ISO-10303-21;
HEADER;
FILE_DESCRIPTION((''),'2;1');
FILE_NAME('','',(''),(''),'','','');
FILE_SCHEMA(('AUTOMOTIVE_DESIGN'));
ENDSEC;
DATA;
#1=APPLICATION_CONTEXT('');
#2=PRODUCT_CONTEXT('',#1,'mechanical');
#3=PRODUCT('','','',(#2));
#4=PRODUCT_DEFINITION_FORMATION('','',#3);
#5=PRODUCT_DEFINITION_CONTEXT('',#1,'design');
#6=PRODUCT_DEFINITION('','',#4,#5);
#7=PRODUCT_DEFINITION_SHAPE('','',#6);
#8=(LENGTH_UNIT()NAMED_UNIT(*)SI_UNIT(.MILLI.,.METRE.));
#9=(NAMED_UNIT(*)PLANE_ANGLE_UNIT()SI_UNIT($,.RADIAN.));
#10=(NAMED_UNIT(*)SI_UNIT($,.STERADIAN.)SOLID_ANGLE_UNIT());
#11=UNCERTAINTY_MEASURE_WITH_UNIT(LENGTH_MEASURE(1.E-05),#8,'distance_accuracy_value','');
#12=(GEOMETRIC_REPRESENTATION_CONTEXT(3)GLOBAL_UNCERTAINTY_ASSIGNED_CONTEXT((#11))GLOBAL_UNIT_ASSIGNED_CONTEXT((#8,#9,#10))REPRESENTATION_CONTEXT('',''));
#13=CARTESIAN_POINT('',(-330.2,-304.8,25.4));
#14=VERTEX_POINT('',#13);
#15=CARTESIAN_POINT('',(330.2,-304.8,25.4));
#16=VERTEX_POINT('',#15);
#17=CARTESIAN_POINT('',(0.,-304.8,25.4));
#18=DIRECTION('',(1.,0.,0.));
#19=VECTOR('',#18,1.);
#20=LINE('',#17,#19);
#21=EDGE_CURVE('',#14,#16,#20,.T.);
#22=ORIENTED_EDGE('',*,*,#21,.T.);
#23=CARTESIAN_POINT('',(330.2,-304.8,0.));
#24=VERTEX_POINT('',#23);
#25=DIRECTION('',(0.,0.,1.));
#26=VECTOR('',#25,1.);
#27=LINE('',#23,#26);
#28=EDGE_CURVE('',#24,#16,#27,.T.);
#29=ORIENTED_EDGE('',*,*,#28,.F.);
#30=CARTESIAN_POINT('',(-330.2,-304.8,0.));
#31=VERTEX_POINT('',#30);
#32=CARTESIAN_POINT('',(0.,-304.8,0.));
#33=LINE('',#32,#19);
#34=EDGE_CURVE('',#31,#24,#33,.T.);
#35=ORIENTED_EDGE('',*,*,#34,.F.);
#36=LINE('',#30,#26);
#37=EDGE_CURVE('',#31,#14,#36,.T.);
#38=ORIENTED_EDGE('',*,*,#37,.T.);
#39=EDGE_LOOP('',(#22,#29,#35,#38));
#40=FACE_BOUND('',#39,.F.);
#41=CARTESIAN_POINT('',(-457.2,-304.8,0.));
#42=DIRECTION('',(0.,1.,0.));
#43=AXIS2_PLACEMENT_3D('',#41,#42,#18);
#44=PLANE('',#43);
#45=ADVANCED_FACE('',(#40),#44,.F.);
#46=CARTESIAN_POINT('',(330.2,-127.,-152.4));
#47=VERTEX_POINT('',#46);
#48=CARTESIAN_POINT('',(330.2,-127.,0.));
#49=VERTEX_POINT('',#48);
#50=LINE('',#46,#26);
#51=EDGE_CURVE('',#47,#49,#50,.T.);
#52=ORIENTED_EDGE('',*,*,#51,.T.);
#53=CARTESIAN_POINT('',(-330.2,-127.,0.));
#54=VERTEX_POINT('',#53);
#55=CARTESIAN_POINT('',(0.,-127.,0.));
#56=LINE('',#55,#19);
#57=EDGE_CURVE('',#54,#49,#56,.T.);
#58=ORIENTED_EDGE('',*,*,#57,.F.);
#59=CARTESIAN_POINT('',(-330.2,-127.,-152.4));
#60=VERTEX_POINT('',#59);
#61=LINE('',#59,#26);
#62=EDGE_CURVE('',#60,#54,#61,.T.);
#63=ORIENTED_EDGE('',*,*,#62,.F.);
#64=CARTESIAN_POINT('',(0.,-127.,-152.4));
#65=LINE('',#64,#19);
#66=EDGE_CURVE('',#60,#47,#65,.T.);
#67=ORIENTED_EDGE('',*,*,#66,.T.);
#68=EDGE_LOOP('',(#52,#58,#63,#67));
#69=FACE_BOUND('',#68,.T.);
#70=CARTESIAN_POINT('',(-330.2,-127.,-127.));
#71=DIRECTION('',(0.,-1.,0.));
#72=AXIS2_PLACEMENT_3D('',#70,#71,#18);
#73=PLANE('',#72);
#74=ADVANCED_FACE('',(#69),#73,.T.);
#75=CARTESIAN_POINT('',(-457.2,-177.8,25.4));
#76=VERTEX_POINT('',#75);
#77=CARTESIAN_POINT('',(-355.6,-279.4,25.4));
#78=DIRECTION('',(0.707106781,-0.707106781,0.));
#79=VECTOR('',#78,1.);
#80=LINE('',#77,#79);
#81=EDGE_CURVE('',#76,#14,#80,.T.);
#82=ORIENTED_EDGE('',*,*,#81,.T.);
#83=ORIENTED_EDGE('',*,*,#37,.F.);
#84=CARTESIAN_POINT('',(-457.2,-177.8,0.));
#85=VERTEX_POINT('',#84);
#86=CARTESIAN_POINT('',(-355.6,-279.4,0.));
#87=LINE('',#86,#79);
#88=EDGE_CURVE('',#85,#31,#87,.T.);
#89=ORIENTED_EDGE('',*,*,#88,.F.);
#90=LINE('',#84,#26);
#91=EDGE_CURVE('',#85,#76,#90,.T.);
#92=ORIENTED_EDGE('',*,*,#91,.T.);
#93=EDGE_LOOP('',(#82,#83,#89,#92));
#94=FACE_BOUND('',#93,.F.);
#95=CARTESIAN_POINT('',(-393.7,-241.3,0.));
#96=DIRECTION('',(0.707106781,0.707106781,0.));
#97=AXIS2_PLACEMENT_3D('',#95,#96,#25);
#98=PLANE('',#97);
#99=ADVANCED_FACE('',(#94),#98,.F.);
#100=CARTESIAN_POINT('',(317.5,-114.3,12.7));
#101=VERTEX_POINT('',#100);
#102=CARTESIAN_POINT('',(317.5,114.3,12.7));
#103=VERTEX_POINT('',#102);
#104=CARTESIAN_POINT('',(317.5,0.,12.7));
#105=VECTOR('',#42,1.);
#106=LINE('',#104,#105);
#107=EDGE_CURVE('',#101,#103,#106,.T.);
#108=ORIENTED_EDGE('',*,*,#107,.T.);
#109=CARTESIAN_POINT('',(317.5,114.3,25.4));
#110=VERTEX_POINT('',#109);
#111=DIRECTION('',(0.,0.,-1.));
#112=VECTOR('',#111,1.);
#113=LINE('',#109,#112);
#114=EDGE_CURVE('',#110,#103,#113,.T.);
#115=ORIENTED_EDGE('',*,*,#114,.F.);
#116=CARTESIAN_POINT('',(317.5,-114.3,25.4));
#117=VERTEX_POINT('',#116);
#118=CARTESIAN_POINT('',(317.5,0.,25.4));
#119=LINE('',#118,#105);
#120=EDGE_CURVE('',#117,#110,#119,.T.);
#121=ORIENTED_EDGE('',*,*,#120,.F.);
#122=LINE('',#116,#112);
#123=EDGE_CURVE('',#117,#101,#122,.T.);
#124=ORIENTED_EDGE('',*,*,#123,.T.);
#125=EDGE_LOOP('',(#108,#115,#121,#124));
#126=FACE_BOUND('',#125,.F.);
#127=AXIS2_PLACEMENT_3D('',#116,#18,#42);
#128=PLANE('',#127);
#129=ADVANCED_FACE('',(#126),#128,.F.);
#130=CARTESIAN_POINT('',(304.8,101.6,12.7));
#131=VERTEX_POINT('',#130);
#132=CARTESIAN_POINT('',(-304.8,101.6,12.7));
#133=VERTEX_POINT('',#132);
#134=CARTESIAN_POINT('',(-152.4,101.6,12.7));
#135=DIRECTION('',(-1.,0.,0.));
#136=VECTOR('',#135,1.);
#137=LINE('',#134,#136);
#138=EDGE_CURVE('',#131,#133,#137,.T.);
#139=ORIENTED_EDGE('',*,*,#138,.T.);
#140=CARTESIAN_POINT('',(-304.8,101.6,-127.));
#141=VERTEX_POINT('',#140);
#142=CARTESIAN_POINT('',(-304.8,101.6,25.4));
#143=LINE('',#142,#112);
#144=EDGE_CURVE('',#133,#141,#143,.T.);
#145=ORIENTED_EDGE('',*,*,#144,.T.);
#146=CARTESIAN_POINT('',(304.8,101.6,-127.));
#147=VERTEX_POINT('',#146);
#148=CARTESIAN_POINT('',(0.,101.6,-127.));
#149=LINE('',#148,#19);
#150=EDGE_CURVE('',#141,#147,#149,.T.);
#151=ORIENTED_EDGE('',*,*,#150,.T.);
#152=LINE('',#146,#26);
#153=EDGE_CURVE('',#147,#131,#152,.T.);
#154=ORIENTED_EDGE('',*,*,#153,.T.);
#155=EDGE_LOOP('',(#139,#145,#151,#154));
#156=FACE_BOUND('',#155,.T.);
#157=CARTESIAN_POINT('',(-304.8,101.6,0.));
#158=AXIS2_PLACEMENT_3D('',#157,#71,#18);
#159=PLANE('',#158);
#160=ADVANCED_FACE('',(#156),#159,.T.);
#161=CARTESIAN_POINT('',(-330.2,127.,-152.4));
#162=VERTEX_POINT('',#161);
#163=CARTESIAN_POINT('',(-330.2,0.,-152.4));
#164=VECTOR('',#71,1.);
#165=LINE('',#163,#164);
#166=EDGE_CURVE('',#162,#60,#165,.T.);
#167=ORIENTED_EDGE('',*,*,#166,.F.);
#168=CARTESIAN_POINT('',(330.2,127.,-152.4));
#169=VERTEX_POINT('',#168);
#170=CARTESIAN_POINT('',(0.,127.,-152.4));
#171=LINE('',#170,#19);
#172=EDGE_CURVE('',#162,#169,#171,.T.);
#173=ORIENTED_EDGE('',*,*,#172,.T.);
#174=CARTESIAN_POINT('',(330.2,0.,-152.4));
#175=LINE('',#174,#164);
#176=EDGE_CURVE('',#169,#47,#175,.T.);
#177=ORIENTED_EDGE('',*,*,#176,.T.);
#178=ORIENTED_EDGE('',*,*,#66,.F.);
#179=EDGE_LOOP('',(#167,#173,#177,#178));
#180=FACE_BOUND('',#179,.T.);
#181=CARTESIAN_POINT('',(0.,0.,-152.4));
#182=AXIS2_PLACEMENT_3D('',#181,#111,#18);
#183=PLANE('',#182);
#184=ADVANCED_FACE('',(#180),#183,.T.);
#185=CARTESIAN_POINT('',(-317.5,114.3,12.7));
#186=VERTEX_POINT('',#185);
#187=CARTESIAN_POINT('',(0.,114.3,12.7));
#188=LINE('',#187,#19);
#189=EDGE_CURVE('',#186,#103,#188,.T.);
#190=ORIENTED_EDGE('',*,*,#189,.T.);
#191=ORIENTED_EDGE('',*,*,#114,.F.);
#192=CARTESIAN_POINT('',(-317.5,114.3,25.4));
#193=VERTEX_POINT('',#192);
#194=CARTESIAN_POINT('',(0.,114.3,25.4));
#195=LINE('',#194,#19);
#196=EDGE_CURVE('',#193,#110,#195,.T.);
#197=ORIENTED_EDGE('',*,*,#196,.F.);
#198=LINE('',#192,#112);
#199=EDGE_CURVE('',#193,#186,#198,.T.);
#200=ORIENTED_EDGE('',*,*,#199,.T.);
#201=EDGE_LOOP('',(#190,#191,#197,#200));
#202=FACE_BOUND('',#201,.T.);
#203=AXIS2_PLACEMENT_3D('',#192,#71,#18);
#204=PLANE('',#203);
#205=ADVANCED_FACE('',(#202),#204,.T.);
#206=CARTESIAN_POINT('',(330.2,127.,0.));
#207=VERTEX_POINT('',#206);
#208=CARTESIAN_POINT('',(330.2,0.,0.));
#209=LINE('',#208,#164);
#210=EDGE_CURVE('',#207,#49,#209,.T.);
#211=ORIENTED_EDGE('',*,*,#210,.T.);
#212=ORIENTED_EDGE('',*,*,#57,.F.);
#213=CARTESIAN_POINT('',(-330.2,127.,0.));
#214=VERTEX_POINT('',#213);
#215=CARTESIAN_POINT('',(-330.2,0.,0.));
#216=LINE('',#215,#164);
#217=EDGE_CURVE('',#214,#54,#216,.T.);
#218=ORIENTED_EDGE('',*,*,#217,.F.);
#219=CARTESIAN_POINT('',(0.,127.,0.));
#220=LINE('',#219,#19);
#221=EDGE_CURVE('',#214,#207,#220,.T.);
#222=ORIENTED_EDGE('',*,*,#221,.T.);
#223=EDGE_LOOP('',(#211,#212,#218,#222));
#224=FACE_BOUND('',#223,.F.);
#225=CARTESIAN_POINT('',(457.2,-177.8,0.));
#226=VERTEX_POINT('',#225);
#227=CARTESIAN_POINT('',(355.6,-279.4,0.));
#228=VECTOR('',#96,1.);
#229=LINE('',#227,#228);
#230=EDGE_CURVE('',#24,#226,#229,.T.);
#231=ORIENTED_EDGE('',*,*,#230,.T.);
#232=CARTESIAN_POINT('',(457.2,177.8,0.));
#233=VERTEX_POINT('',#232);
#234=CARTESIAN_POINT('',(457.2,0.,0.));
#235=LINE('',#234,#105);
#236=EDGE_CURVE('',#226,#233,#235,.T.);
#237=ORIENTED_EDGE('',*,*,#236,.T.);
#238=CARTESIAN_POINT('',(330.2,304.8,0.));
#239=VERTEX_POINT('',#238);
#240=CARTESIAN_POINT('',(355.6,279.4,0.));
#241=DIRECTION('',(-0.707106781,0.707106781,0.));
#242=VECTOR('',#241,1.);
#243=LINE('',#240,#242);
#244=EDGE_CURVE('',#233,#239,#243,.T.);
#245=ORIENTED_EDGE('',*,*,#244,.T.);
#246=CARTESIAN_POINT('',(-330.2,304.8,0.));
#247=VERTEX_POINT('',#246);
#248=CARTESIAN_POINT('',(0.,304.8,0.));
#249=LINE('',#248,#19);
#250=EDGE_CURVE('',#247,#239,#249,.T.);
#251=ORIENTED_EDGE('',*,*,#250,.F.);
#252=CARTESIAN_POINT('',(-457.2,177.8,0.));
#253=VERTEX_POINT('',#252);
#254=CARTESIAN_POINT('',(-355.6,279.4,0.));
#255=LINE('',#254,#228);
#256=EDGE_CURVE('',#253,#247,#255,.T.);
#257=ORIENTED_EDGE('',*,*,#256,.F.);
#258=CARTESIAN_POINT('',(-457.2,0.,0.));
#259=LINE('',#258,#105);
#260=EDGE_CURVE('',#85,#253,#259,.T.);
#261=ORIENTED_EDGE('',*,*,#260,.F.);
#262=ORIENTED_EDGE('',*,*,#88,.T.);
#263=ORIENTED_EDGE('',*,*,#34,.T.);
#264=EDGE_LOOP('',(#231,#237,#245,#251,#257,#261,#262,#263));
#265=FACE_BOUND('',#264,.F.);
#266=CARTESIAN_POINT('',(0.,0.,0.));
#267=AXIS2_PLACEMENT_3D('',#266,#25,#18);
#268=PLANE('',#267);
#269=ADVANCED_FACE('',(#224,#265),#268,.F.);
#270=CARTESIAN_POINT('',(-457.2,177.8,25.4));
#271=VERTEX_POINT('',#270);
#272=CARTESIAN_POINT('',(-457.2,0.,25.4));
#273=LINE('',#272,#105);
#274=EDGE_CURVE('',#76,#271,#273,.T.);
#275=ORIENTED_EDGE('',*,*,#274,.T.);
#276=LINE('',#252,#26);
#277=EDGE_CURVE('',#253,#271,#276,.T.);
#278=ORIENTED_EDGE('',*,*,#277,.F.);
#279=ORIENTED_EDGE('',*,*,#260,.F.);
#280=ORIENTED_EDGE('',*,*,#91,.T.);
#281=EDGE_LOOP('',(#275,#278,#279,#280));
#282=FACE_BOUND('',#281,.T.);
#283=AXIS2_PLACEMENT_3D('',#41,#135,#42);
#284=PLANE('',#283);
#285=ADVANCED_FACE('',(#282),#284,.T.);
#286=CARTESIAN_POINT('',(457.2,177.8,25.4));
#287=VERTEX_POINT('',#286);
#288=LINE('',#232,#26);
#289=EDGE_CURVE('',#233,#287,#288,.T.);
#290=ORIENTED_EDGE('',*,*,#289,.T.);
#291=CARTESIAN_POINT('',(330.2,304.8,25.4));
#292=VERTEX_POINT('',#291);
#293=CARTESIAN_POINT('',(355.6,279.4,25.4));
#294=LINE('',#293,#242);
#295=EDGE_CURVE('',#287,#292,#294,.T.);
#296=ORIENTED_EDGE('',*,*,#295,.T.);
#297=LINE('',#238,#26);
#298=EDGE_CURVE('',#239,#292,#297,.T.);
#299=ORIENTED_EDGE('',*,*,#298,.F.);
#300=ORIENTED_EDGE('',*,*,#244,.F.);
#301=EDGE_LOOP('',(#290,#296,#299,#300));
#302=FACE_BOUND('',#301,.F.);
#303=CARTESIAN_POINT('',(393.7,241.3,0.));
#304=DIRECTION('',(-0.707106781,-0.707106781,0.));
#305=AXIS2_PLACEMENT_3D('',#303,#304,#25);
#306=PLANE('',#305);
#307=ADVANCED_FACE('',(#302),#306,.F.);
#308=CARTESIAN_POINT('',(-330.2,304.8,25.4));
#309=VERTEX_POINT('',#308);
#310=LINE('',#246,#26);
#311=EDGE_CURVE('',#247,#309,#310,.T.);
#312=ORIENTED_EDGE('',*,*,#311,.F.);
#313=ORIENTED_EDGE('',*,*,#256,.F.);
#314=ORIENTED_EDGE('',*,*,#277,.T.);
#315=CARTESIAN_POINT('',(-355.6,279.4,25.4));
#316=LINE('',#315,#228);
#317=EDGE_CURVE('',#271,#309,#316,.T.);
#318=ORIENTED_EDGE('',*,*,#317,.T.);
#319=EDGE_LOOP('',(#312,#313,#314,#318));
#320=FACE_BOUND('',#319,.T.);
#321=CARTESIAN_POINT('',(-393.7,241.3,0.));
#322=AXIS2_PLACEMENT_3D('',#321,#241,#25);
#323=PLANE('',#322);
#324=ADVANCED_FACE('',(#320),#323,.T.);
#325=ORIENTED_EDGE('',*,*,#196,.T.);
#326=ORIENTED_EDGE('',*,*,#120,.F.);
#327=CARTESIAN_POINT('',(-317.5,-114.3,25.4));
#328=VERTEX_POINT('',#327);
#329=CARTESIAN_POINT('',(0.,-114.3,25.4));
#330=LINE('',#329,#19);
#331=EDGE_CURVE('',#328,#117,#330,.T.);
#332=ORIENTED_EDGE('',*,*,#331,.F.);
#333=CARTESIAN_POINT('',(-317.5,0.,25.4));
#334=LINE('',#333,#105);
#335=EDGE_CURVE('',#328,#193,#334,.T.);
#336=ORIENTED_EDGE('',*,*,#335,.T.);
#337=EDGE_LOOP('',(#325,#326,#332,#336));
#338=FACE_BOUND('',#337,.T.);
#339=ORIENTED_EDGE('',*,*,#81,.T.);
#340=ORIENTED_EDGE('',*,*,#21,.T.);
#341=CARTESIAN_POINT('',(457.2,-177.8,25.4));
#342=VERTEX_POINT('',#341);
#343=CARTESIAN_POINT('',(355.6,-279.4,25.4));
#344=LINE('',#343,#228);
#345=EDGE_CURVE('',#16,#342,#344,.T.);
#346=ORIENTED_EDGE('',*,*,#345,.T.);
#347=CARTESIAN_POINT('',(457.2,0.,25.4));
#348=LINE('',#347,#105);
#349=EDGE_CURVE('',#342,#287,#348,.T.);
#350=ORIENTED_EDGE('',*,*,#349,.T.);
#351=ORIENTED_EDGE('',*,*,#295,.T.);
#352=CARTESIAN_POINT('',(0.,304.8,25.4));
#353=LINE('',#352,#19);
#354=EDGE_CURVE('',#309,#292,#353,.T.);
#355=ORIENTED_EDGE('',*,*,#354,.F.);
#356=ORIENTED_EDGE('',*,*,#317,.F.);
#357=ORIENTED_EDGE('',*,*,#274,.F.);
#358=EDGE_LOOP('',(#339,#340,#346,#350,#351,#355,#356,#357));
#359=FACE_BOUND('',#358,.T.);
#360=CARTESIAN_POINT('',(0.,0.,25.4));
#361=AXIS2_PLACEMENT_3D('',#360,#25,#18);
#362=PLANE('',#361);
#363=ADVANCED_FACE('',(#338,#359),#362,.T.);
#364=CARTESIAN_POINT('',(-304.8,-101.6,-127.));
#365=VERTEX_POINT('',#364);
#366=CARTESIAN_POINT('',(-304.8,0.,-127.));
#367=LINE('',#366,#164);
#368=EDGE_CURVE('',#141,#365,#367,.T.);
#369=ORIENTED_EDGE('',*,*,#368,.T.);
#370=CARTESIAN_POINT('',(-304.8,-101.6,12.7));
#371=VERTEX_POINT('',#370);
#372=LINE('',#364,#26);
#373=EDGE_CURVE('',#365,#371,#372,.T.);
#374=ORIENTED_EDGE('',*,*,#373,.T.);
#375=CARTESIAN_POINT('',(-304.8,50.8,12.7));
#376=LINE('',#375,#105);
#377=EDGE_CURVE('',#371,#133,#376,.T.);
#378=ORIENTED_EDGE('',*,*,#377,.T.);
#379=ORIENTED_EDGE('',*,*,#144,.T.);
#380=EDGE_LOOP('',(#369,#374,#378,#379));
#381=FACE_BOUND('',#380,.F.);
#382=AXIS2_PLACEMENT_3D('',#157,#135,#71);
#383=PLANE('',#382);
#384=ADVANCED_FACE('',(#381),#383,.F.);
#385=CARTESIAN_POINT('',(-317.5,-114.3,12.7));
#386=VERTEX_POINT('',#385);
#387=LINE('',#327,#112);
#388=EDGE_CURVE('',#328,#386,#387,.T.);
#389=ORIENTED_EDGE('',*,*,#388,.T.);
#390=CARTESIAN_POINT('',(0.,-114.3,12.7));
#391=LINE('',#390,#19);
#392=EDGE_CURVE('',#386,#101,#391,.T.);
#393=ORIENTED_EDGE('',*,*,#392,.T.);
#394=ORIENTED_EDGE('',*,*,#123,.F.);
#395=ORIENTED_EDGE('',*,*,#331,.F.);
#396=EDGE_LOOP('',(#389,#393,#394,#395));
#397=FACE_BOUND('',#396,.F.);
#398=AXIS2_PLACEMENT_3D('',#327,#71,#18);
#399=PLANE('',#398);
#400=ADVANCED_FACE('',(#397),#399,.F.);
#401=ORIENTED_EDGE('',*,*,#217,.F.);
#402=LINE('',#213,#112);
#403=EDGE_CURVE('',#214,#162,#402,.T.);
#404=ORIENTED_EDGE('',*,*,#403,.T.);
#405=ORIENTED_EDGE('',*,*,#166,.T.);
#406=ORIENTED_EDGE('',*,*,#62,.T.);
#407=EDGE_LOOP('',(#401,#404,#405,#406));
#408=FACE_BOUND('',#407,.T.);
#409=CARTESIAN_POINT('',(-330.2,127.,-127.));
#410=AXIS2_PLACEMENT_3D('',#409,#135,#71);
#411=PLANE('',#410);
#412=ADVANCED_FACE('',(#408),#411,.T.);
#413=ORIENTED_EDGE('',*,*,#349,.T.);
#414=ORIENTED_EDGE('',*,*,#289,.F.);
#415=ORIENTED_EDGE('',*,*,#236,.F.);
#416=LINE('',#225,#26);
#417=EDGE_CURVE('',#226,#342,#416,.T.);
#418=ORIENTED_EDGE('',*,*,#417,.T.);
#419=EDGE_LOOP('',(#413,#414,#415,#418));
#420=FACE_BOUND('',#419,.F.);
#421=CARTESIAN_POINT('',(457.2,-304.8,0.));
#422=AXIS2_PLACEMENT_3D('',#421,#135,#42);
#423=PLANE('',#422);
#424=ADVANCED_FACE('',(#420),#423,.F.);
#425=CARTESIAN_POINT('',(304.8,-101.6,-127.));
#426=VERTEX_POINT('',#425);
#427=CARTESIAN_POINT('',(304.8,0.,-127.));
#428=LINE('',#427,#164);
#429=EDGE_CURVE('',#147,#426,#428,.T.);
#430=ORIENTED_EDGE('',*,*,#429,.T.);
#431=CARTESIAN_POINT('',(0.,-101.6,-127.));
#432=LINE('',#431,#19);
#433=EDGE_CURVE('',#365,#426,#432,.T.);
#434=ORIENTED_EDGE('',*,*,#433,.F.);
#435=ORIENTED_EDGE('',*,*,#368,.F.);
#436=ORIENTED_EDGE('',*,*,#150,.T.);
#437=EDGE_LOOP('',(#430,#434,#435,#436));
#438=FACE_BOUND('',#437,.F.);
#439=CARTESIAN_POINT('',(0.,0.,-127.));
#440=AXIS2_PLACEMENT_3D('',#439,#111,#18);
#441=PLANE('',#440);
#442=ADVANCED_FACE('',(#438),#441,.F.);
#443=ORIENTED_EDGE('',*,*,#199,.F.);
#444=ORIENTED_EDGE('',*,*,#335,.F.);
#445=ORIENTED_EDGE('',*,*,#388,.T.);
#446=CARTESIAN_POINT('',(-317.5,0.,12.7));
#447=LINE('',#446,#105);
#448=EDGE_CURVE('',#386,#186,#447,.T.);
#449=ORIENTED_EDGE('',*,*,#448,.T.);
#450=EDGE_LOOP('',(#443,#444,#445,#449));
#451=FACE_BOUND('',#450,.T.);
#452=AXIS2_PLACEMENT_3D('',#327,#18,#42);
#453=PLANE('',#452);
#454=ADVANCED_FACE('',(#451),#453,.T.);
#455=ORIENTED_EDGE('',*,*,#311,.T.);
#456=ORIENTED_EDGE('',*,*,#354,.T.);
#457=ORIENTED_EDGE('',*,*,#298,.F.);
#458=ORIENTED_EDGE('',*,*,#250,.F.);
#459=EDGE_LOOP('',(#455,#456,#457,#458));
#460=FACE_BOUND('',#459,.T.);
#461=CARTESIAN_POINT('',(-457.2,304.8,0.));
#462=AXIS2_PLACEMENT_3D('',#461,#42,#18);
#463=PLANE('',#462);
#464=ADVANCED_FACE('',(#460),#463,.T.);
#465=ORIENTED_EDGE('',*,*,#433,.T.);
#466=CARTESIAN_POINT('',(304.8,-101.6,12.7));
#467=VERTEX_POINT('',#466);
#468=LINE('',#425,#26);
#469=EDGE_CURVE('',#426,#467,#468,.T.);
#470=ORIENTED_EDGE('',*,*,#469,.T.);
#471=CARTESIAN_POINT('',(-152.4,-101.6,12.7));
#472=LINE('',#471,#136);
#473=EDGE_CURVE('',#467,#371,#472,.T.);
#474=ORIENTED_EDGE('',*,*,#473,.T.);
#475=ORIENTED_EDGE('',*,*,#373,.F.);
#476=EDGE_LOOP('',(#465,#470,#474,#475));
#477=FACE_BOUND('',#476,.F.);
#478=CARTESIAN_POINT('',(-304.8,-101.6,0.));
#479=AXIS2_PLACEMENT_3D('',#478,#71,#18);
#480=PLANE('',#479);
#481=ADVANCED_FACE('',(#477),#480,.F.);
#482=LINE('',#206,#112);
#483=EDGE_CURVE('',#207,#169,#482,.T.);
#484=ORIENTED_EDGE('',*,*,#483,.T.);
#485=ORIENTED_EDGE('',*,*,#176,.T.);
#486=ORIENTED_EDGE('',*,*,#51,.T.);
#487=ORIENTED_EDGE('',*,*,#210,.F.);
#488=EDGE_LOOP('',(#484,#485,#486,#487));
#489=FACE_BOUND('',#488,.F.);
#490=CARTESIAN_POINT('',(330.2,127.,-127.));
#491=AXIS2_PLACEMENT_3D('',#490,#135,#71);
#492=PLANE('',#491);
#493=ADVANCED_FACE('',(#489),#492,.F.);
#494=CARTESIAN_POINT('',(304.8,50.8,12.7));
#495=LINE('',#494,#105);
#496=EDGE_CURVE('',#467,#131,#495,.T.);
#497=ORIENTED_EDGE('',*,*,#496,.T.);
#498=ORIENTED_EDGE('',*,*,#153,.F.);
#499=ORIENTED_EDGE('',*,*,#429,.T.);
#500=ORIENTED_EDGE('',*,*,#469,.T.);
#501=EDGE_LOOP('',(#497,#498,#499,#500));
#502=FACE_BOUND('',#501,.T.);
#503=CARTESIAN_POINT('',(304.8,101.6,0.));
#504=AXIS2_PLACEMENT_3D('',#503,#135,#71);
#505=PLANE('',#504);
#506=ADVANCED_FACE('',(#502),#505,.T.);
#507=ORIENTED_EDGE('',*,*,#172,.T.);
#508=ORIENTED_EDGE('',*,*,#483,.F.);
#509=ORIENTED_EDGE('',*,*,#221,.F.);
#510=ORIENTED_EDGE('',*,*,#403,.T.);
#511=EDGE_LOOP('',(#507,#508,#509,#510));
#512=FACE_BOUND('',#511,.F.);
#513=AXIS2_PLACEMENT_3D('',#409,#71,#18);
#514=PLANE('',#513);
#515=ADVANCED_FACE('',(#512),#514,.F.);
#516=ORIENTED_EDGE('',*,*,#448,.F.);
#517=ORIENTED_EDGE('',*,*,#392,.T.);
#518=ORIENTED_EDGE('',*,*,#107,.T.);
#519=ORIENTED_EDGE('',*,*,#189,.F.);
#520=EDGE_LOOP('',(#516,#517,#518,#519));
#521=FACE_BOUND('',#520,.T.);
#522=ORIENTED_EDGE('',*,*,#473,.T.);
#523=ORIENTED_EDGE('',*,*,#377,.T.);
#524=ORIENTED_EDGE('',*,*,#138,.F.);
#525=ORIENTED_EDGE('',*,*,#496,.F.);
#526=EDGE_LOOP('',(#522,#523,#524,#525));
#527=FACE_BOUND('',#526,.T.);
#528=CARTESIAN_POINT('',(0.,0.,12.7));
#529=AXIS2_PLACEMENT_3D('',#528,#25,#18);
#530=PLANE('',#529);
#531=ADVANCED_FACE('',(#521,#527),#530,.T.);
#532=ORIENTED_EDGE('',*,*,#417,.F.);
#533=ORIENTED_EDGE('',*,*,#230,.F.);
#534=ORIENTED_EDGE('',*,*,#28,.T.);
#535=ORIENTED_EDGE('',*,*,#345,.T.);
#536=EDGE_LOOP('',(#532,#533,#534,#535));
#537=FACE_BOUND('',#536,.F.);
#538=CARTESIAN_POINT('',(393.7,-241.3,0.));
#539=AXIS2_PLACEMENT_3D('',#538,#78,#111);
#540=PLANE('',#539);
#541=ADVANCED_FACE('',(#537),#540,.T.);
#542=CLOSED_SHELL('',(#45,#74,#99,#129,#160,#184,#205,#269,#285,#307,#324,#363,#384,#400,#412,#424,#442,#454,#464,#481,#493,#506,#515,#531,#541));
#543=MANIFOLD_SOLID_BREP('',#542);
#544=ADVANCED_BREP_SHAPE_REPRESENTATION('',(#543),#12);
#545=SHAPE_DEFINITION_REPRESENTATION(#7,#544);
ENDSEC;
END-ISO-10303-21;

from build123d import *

# Parameters (mm, degrees)
F0_W      = 914.4
F0_H      = 609.6
F1_DEPTH  = 25.4
F2_SIZE   = 127
F3_W      = 609.6
F3_H      = 203.2
F4_DEPTH  = 25.4
F5_W      = 660.4
F5_H      = 254
F5_W_2    = 609.6
F5_H_2    = 203.2
F6_DEPTH  = 127
F7_W      = 660.4
F7_H      = 254
F8_DEPTH  = 25.4
F9_W      = 635
F9_H      = 228.6
F10_DEPTH = 12.7


with BuildPart() as f1:
    # F0 (on Top) → F1 (new body)
    with BuildSketch(Plane.XY):
        Rectangle(F0_W, F0_H)
    extrude(amount=F1_DEPTH)

    # F2
    f2_edges = [f1.edges().sort_by_distance(p)[0] for p in [
        (-457.2, -304.8, 12.7),
        (457.2, -304.8, 12.7),
        (457.2, 304.8, 12.7),
        (-457.2, 304.8, 12.7),
    ]]
    chamfer(f2_edges, length=F2_SIZE)

    # F3 (on face) → F4 (cut, through all)
    with BuildSketch(Plane.XY.offset(25.4)):
        Rectangle(F3_W, F3_H)
    extrude(amount=-F4_DEPTH, mode=Mode.SUBTRACT)

    # F5 (on face) → F6 (join)
    with BuildSketch(Plane(origin=(0, 0, 0), x_dir=(1, 0, 0), z_dir=(0, 0, -1))):
        Rectangle(F5_W, F5_H)
        Rectangle(F5_W_2, F5_H_2, mode=Mode.SUBTRACT)
    extrude(amount=F6_DEPTH)

    # F7 (on face) → F8 (join)
    with BuildSketch(Plane(origin=(0, 0, -127), x_dir=(1, 0, 0), z_dir=(0, 0, -1))):
        Rectangle(F7_W, F7_H)
    extrude(amount=F8_DEPTH)

    # F9 (on face) → F10 (cut)
    with BuildSketch(Plane.XY.offset(25.4)):
        Rectangle(F9_W, F9_H)
    extrude(amount=-F10_DEPTH, mode=Mode.SUBTRACT)


solid = f1.part
